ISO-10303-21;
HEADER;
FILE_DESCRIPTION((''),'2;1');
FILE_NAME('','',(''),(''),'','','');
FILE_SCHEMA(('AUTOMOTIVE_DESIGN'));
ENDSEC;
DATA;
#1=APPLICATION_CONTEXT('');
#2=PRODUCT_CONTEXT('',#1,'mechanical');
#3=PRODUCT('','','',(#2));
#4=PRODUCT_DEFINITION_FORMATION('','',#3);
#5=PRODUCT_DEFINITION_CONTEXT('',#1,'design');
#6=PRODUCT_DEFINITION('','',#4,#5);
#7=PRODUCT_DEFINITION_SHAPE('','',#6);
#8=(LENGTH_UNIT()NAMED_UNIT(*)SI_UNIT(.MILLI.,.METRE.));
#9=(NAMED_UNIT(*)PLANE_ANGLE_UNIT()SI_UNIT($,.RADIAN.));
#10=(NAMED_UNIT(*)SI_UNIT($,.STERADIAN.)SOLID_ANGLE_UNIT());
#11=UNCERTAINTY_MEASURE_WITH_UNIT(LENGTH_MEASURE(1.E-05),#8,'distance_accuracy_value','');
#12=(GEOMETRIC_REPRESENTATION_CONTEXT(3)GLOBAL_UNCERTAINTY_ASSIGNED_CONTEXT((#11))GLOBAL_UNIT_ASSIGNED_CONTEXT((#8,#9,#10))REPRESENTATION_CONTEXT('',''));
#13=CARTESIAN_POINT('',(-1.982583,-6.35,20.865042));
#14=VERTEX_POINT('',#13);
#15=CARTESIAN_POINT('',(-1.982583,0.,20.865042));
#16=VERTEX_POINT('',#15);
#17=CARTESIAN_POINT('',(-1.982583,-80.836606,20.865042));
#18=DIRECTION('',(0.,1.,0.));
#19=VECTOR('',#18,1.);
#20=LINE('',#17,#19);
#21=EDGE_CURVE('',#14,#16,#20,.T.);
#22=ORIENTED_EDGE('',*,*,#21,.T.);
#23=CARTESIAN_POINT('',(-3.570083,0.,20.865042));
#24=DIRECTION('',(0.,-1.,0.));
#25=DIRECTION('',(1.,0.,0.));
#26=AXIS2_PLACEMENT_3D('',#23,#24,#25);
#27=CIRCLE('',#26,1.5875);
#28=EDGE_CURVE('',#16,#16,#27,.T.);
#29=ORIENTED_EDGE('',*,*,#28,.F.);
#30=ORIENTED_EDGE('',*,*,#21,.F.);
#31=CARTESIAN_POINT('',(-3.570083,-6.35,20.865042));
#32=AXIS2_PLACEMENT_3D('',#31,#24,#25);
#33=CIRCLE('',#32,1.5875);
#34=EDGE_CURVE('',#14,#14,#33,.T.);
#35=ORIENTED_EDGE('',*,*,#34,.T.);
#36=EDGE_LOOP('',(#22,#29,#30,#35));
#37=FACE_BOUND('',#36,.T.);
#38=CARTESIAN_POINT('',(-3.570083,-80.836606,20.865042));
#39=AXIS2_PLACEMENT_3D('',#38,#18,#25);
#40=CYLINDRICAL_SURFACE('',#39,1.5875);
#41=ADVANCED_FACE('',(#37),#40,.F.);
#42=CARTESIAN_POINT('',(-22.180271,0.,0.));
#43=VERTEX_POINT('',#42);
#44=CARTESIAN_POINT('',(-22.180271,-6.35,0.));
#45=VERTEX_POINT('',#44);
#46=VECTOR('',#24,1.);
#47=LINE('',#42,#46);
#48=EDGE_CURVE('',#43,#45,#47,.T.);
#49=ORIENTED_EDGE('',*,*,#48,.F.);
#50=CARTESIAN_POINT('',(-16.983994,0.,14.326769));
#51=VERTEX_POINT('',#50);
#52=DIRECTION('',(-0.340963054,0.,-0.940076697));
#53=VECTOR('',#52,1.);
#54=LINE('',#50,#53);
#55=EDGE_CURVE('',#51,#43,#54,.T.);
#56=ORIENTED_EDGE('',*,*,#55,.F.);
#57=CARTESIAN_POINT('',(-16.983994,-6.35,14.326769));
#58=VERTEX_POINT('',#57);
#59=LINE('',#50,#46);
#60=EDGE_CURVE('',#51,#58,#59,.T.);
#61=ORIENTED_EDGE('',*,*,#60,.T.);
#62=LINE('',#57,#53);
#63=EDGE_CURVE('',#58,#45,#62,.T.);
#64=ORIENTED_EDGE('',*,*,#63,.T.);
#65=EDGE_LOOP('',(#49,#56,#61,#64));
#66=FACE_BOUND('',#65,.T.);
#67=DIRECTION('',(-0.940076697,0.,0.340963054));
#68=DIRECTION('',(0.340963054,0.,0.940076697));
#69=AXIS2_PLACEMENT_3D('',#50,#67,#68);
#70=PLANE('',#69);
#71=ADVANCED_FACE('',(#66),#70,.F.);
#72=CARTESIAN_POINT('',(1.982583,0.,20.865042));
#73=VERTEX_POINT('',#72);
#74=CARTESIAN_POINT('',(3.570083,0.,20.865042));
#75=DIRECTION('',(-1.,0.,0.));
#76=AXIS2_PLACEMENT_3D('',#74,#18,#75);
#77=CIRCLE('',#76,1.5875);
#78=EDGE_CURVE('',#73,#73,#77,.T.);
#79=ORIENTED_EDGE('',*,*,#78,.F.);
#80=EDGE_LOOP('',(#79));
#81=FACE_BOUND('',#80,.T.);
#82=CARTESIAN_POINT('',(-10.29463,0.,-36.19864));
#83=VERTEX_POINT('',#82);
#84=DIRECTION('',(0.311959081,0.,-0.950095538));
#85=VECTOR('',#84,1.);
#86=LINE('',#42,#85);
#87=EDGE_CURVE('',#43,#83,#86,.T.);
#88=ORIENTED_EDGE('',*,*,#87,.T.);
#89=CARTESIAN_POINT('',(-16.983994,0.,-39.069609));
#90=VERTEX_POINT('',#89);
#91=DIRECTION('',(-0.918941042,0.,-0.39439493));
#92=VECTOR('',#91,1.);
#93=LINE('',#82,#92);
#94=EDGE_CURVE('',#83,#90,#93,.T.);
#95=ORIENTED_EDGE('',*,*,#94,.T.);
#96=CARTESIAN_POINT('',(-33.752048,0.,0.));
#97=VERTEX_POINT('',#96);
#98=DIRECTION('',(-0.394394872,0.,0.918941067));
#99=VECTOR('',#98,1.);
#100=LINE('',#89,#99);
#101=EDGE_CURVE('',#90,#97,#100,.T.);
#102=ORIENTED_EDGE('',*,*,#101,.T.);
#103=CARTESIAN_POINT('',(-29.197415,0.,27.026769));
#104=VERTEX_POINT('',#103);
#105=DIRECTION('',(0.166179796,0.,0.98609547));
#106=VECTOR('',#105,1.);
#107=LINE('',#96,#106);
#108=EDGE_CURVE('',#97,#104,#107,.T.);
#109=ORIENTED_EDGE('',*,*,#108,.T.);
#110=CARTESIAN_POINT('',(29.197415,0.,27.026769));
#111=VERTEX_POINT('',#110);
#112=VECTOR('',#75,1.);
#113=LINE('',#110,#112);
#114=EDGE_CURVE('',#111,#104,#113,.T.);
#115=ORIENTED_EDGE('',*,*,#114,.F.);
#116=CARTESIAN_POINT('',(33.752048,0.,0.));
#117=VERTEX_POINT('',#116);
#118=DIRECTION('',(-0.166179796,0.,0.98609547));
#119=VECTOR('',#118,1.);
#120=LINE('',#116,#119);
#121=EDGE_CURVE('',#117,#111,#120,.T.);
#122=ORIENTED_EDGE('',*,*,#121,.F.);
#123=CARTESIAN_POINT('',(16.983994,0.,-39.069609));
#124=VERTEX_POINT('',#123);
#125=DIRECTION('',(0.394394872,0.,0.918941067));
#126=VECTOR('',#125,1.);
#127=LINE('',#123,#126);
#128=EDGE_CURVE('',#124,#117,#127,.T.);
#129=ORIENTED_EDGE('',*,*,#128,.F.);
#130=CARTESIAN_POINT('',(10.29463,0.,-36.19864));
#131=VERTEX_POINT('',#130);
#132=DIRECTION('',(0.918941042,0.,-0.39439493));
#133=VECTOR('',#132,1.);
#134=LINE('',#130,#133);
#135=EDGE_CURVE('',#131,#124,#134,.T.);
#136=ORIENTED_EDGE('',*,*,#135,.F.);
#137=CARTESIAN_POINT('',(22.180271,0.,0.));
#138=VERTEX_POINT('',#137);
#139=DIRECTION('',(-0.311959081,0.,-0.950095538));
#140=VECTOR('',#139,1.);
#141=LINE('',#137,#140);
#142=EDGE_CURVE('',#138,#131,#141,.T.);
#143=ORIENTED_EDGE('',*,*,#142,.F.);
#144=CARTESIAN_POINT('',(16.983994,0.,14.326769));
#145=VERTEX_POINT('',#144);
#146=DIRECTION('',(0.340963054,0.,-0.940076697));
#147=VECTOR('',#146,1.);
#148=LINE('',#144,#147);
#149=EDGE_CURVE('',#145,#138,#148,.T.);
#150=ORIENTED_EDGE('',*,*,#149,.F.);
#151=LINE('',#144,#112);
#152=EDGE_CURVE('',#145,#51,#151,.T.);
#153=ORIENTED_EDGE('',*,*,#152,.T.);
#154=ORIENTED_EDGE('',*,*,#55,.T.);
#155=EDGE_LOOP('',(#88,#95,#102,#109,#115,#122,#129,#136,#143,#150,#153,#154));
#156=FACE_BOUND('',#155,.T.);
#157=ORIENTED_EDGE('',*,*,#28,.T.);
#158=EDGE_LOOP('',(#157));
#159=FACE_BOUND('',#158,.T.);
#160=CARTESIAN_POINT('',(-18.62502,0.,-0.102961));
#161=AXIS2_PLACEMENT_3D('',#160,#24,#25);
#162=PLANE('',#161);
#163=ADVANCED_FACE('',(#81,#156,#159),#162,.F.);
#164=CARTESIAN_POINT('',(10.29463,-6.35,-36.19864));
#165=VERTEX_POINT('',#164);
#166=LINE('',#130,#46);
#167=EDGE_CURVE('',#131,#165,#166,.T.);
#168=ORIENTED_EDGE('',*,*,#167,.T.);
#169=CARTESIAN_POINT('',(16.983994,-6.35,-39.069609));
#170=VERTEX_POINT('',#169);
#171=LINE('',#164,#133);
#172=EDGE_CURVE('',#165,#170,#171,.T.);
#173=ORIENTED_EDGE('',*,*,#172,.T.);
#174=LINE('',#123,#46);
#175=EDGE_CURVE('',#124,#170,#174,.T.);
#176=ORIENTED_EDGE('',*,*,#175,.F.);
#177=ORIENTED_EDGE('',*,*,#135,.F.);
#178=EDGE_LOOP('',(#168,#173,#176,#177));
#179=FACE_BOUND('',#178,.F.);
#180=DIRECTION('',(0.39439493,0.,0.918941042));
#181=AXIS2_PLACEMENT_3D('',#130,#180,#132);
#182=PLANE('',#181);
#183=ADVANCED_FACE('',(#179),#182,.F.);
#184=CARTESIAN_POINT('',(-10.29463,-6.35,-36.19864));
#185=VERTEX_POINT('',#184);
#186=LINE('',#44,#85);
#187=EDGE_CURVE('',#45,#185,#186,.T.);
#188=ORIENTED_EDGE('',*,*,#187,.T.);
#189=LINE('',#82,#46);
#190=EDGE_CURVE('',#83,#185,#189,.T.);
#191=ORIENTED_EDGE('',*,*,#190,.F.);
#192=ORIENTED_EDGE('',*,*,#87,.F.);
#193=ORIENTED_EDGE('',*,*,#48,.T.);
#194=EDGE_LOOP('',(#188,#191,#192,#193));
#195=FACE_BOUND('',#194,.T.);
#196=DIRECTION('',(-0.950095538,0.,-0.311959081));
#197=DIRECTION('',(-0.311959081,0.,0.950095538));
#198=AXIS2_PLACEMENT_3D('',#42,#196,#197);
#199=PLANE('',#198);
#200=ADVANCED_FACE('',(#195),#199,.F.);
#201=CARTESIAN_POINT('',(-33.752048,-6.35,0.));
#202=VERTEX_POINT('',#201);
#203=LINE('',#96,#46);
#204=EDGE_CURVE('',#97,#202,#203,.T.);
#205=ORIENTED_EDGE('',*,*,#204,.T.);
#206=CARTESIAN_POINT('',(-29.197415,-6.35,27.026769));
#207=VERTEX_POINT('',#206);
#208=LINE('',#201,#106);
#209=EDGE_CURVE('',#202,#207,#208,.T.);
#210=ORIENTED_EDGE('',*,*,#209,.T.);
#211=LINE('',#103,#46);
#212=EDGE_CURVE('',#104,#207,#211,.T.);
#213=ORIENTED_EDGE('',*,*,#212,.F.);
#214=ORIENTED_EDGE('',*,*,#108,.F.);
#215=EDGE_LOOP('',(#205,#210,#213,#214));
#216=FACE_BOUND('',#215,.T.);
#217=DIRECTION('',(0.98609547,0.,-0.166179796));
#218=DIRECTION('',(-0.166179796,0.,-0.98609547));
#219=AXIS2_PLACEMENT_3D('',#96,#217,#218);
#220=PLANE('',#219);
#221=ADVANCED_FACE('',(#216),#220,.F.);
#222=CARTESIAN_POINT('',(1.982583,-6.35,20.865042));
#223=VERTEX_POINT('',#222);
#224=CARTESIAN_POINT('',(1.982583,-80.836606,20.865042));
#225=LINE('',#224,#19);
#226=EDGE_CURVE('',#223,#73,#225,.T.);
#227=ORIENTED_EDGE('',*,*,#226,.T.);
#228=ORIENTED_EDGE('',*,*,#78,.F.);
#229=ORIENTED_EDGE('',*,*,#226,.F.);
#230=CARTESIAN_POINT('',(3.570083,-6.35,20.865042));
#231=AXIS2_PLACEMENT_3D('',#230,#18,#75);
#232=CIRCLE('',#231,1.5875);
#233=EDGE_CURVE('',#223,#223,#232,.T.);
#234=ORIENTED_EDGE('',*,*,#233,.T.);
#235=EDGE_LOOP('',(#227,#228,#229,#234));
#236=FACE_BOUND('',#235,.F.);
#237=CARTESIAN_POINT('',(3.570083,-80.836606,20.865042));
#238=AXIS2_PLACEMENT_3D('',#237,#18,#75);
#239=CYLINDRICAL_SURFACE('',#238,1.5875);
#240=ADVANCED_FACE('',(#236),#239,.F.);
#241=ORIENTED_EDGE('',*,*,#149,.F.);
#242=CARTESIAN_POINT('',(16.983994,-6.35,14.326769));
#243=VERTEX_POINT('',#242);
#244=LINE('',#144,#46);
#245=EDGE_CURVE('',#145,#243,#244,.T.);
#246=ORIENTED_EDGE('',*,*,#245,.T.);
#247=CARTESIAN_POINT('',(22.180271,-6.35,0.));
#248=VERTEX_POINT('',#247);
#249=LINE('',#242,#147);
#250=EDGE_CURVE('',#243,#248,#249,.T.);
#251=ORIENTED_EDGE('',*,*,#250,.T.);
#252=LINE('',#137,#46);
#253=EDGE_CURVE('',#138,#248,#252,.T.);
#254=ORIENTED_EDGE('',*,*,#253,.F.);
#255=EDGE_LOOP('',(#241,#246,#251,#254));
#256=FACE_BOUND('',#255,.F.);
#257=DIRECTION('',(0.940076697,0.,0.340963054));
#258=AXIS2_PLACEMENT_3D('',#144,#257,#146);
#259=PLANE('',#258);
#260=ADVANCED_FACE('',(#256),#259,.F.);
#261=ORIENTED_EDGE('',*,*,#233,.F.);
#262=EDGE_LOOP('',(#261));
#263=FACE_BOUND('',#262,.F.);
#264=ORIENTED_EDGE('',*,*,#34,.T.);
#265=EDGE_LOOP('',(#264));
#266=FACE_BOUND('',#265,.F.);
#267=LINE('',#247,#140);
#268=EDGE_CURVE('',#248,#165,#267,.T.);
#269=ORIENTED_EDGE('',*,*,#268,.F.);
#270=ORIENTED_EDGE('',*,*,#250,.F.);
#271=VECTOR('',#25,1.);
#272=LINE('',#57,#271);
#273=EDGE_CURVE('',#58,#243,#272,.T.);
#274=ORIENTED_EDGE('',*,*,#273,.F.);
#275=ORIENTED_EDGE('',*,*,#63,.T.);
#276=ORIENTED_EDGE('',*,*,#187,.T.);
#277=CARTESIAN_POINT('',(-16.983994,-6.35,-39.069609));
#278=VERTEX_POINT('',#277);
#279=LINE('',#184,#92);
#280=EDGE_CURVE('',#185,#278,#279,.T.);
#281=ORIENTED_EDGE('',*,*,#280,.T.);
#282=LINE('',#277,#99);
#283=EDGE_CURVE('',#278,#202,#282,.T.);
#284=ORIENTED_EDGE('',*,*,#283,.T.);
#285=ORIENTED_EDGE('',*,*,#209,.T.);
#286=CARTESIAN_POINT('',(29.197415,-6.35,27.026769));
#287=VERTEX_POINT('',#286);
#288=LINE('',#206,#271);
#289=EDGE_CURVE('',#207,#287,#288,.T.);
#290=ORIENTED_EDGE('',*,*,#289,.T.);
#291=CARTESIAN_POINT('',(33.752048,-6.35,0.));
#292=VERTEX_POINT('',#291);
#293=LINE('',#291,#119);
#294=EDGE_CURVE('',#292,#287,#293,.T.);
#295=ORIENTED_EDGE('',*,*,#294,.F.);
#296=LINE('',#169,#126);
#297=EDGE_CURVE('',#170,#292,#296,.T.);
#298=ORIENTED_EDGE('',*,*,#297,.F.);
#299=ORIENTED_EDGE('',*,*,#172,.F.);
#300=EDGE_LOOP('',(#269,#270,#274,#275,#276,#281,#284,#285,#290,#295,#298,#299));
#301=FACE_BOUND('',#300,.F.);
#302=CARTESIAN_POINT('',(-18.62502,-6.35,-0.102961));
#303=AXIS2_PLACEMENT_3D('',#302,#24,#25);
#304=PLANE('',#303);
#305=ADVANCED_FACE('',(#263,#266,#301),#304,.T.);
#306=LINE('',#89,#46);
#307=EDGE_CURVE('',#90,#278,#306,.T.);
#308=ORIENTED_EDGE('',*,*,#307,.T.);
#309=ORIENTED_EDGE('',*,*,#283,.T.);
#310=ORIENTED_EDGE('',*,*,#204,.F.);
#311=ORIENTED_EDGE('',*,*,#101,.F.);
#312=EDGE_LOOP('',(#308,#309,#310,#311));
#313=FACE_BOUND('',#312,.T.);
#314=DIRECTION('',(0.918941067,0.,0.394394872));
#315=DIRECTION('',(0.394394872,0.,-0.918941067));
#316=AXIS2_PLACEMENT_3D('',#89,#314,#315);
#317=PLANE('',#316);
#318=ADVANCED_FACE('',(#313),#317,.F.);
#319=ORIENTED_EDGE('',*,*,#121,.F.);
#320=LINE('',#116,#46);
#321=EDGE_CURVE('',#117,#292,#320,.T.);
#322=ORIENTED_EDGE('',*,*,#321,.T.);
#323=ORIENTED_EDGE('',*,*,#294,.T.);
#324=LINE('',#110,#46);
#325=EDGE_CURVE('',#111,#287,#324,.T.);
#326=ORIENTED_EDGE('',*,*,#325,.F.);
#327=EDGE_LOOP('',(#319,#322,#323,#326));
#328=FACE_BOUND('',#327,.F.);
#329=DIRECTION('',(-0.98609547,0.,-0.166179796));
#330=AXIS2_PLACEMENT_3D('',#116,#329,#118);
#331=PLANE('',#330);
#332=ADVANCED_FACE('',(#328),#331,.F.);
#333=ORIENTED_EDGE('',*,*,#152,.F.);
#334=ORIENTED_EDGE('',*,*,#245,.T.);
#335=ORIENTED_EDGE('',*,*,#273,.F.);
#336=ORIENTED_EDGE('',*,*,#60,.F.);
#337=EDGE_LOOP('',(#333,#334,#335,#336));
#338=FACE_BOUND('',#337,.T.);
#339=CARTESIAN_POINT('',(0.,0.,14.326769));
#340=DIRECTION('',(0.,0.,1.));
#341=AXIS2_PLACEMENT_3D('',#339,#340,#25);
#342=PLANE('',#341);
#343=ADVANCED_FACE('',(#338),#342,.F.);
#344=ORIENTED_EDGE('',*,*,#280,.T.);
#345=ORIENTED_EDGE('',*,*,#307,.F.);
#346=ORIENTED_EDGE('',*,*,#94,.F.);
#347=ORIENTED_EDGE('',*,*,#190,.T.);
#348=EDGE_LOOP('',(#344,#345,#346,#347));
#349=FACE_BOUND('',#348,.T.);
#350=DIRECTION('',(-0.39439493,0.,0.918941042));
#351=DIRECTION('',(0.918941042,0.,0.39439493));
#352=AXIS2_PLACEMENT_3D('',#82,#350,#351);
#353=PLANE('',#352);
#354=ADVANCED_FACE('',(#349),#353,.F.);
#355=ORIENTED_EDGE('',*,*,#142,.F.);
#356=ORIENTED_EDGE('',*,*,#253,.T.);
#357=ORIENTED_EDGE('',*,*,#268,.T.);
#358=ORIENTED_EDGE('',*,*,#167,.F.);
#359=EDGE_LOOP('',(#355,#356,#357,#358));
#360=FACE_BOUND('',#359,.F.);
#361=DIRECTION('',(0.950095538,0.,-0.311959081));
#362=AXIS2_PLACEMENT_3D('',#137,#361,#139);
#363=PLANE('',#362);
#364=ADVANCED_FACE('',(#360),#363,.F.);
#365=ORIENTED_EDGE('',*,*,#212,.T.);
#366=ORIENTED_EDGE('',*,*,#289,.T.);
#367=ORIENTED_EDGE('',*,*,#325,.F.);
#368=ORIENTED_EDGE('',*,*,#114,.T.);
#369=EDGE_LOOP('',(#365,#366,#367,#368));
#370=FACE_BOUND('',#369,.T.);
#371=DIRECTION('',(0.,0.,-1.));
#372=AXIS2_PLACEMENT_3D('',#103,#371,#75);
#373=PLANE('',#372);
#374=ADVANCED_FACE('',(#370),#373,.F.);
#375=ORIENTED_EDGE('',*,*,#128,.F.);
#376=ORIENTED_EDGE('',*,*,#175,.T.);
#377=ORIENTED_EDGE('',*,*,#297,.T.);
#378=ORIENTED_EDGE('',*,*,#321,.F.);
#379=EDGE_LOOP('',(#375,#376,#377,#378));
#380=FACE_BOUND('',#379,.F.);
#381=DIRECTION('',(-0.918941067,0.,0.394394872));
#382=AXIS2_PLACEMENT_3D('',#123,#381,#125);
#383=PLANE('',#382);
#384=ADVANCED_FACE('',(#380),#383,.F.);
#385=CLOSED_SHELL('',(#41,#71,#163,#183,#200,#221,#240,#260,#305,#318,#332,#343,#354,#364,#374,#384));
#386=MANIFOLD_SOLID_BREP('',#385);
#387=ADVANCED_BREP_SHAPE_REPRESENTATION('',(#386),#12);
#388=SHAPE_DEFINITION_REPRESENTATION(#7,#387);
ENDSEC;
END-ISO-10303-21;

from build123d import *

# Parameters (mm, degrees)
F1_DEPTH = 6.35
F3_D     = 3.175


with BuildPart() as f1:
    # F0 (on Front) → F1 (new body)
    with BuildSketch(Plane.XZ):
        Polygon((29.197415, 27.026769), (0, 27.026769), (0, 14.326769), (16.983994, 14.326769), (22.180271, 0), (10.29463, -36.19864), (16.983994, -39.069609), (33.752048, 0), align=None)
    extrude(amount=F1_DEPTH)

    # F3 (through all)
    with Locations(Plane.XZ.offset(6.35)):
        with Locations((3.570083, 20.865042)):
            Hole(F3_D / 2)

    # F4: F1 across plane


with BuildPart() as f1_1:
    add(f1.part)
    add(f1.part.mirror(Plane.YZ))


solid = f1_1.part
